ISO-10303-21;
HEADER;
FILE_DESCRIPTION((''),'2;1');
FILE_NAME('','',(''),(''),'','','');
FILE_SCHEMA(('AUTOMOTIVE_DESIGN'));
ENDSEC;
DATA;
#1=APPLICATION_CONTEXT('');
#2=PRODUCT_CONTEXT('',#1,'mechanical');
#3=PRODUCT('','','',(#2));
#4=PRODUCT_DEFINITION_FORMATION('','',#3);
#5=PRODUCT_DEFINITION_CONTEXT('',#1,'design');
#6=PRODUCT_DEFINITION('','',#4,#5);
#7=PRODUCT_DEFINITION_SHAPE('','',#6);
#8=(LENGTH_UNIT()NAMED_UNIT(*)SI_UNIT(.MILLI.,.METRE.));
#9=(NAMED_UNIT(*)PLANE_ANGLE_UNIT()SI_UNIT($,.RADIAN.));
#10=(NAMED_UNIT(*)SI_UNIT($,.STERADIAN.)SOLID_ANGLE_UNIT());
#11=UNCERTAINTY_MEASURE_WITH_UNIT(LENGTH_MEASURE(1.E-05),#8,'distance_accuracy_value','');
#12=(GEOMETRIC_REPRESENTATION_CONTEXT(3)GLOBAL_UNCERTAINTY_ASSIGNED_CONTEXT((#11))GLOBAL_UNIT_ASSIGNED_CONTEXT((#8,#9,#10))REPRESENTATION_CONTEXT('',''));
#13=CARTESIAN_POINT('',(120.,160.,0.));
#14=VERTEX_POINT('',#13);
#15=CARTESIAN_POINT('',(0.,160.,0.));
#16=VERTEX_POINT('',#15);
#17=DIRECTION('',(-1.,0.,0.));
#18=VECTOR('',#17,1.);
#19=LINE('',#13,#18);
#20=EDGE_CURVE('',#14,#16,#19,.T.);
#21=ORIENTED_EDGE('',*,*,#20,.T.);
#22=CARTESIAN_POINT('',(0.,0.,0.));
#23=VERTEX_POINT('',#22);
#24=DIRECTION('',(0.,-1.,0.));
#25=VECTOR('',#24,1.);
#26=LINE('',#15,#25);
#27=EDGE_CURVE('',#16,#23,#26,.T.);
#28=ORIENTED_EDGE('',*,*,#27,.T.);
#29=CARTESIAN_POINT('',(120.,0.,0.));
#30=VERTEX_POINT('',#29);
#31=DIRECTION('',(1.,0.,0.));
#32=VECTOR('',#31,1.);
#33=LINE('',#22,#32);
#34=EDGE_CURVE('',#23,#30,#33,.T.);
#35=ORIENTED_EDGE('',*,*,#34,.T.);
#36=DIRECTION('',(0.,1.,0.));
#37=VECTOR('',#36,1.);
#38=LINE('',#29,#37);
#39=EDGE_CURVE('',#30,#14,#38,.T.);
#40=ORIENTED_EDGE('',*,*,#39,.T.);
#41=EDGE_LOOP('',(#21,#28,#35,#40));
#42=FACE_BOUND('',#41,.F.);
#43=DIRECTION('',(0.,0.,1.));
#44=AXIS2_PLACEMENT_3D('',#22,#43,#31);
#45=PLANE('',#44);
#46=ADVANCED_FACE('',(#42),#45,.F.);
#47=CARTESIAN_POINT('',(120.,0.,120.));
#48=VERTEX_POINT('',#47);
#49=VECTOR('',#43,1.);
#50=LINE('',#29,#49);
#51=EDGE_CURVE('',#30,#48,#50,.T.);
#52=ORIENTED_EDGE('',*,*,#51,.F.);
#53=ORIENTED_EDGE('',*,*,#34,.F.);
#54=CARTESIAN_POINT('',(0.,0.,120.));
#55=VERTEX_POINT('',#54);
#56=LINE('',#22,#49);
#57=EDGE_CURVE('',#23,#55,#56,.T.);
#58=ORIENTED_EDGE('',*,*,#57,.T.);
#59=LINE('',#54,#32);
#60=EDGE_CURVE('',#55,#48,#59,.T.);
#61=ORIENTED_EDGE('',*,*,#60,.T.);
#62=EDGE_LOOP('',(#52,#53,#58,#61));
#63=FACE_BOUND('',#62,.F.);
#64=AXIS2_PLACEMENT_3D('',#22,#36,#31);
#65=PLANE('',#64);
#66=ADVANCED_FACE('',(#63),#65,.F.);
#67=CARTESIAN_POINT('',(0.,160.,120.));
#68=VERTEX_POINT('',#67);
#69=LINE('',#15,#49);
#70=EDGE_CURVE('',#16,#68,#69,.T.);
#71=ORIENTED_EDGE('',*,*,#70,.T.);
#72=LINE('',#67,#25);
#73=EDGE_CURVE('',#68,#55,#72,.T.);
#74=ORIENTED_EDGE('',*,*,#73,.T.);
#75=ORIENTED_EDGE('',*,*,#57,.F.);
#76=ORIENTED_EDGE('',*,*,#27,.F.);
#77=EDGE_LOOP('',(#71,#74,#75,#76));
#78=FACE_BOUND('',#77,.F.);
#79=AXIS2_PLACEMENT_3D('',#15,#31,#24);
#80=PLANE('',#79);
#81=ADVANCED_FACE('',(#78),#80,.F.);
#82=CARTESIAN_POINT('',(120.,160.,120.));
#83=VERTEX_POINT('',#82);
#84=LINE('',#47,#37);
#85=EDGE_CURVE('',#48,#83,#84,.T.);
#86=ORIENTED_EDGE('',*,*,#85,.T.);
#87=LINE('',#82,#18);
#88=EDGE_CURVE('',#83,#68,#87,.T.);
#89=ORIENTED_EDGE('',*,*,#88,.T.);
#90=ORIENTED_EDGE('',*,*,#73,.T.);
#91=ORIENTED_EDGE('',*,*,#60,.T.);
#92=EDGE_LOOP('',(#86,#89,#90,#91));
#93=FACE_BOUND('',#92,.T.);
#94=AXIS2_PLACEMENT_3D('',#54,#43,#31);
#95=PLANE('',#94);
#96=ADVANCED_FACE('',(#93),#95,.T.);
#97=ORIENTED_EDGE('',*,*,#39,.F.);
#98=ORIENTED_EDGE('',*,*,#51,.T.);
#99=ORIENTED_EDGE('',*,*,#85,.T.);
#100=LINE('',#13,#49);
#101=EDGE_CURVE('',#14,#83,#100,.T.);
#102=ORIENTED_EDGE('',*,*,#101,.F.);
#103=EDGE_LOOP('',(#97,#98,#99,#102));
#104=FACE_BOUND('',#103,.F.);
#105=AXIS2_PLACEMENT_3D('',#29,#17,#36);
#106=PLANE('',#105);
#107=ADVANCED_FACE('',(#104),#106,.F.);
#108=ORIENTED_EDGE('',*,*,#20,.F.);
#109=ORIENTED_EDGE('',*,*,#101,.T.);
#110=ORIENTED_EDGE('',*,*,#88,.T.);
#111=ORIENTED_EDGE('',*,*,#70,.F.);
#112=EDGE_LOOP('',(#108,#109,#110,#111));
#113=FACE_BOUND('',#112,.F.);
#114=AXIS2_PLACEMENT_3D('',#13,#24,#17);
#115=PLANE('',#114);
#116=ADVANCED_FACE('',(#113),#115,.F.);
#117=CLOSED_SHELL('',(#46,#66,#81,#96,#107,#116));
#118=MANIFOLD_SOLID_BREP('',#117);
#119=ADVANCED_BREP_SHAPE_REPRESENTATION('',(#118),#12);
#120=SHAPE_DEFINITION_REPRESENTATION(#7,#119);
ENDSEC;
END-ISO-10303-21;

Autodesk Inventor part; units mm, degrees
ref_plane "YZ Plane" through (0, 0, 0) normal (1, 0, 0) x (0, 1, 0)
ref_plane "XZ Plane" through (0, 0, 0) normal (0, 1, 0) x (-1, 0, 0)
ref_plane "XY Plane" through (0, 0, 0) normal (0, 0, 1) x (1, 0, 0)
sketch "Sketch1" plane through (0, 0, 0) normal (0, 0, 1) x (1, 0, 0)
  line L0 (0, 0) -> (120, 0)
  line L1 (120, 0) -> (120, 160)
  line L2 (120, 160) -> (0, 160)
  line L3 (0, 160) -> (0, 0)
  dimension "d0" = 120
  dimension "d1" = 160
extrude "Extrusion1" add sketch "Sketch1" along normal blind 120
properties part number "Corner"
